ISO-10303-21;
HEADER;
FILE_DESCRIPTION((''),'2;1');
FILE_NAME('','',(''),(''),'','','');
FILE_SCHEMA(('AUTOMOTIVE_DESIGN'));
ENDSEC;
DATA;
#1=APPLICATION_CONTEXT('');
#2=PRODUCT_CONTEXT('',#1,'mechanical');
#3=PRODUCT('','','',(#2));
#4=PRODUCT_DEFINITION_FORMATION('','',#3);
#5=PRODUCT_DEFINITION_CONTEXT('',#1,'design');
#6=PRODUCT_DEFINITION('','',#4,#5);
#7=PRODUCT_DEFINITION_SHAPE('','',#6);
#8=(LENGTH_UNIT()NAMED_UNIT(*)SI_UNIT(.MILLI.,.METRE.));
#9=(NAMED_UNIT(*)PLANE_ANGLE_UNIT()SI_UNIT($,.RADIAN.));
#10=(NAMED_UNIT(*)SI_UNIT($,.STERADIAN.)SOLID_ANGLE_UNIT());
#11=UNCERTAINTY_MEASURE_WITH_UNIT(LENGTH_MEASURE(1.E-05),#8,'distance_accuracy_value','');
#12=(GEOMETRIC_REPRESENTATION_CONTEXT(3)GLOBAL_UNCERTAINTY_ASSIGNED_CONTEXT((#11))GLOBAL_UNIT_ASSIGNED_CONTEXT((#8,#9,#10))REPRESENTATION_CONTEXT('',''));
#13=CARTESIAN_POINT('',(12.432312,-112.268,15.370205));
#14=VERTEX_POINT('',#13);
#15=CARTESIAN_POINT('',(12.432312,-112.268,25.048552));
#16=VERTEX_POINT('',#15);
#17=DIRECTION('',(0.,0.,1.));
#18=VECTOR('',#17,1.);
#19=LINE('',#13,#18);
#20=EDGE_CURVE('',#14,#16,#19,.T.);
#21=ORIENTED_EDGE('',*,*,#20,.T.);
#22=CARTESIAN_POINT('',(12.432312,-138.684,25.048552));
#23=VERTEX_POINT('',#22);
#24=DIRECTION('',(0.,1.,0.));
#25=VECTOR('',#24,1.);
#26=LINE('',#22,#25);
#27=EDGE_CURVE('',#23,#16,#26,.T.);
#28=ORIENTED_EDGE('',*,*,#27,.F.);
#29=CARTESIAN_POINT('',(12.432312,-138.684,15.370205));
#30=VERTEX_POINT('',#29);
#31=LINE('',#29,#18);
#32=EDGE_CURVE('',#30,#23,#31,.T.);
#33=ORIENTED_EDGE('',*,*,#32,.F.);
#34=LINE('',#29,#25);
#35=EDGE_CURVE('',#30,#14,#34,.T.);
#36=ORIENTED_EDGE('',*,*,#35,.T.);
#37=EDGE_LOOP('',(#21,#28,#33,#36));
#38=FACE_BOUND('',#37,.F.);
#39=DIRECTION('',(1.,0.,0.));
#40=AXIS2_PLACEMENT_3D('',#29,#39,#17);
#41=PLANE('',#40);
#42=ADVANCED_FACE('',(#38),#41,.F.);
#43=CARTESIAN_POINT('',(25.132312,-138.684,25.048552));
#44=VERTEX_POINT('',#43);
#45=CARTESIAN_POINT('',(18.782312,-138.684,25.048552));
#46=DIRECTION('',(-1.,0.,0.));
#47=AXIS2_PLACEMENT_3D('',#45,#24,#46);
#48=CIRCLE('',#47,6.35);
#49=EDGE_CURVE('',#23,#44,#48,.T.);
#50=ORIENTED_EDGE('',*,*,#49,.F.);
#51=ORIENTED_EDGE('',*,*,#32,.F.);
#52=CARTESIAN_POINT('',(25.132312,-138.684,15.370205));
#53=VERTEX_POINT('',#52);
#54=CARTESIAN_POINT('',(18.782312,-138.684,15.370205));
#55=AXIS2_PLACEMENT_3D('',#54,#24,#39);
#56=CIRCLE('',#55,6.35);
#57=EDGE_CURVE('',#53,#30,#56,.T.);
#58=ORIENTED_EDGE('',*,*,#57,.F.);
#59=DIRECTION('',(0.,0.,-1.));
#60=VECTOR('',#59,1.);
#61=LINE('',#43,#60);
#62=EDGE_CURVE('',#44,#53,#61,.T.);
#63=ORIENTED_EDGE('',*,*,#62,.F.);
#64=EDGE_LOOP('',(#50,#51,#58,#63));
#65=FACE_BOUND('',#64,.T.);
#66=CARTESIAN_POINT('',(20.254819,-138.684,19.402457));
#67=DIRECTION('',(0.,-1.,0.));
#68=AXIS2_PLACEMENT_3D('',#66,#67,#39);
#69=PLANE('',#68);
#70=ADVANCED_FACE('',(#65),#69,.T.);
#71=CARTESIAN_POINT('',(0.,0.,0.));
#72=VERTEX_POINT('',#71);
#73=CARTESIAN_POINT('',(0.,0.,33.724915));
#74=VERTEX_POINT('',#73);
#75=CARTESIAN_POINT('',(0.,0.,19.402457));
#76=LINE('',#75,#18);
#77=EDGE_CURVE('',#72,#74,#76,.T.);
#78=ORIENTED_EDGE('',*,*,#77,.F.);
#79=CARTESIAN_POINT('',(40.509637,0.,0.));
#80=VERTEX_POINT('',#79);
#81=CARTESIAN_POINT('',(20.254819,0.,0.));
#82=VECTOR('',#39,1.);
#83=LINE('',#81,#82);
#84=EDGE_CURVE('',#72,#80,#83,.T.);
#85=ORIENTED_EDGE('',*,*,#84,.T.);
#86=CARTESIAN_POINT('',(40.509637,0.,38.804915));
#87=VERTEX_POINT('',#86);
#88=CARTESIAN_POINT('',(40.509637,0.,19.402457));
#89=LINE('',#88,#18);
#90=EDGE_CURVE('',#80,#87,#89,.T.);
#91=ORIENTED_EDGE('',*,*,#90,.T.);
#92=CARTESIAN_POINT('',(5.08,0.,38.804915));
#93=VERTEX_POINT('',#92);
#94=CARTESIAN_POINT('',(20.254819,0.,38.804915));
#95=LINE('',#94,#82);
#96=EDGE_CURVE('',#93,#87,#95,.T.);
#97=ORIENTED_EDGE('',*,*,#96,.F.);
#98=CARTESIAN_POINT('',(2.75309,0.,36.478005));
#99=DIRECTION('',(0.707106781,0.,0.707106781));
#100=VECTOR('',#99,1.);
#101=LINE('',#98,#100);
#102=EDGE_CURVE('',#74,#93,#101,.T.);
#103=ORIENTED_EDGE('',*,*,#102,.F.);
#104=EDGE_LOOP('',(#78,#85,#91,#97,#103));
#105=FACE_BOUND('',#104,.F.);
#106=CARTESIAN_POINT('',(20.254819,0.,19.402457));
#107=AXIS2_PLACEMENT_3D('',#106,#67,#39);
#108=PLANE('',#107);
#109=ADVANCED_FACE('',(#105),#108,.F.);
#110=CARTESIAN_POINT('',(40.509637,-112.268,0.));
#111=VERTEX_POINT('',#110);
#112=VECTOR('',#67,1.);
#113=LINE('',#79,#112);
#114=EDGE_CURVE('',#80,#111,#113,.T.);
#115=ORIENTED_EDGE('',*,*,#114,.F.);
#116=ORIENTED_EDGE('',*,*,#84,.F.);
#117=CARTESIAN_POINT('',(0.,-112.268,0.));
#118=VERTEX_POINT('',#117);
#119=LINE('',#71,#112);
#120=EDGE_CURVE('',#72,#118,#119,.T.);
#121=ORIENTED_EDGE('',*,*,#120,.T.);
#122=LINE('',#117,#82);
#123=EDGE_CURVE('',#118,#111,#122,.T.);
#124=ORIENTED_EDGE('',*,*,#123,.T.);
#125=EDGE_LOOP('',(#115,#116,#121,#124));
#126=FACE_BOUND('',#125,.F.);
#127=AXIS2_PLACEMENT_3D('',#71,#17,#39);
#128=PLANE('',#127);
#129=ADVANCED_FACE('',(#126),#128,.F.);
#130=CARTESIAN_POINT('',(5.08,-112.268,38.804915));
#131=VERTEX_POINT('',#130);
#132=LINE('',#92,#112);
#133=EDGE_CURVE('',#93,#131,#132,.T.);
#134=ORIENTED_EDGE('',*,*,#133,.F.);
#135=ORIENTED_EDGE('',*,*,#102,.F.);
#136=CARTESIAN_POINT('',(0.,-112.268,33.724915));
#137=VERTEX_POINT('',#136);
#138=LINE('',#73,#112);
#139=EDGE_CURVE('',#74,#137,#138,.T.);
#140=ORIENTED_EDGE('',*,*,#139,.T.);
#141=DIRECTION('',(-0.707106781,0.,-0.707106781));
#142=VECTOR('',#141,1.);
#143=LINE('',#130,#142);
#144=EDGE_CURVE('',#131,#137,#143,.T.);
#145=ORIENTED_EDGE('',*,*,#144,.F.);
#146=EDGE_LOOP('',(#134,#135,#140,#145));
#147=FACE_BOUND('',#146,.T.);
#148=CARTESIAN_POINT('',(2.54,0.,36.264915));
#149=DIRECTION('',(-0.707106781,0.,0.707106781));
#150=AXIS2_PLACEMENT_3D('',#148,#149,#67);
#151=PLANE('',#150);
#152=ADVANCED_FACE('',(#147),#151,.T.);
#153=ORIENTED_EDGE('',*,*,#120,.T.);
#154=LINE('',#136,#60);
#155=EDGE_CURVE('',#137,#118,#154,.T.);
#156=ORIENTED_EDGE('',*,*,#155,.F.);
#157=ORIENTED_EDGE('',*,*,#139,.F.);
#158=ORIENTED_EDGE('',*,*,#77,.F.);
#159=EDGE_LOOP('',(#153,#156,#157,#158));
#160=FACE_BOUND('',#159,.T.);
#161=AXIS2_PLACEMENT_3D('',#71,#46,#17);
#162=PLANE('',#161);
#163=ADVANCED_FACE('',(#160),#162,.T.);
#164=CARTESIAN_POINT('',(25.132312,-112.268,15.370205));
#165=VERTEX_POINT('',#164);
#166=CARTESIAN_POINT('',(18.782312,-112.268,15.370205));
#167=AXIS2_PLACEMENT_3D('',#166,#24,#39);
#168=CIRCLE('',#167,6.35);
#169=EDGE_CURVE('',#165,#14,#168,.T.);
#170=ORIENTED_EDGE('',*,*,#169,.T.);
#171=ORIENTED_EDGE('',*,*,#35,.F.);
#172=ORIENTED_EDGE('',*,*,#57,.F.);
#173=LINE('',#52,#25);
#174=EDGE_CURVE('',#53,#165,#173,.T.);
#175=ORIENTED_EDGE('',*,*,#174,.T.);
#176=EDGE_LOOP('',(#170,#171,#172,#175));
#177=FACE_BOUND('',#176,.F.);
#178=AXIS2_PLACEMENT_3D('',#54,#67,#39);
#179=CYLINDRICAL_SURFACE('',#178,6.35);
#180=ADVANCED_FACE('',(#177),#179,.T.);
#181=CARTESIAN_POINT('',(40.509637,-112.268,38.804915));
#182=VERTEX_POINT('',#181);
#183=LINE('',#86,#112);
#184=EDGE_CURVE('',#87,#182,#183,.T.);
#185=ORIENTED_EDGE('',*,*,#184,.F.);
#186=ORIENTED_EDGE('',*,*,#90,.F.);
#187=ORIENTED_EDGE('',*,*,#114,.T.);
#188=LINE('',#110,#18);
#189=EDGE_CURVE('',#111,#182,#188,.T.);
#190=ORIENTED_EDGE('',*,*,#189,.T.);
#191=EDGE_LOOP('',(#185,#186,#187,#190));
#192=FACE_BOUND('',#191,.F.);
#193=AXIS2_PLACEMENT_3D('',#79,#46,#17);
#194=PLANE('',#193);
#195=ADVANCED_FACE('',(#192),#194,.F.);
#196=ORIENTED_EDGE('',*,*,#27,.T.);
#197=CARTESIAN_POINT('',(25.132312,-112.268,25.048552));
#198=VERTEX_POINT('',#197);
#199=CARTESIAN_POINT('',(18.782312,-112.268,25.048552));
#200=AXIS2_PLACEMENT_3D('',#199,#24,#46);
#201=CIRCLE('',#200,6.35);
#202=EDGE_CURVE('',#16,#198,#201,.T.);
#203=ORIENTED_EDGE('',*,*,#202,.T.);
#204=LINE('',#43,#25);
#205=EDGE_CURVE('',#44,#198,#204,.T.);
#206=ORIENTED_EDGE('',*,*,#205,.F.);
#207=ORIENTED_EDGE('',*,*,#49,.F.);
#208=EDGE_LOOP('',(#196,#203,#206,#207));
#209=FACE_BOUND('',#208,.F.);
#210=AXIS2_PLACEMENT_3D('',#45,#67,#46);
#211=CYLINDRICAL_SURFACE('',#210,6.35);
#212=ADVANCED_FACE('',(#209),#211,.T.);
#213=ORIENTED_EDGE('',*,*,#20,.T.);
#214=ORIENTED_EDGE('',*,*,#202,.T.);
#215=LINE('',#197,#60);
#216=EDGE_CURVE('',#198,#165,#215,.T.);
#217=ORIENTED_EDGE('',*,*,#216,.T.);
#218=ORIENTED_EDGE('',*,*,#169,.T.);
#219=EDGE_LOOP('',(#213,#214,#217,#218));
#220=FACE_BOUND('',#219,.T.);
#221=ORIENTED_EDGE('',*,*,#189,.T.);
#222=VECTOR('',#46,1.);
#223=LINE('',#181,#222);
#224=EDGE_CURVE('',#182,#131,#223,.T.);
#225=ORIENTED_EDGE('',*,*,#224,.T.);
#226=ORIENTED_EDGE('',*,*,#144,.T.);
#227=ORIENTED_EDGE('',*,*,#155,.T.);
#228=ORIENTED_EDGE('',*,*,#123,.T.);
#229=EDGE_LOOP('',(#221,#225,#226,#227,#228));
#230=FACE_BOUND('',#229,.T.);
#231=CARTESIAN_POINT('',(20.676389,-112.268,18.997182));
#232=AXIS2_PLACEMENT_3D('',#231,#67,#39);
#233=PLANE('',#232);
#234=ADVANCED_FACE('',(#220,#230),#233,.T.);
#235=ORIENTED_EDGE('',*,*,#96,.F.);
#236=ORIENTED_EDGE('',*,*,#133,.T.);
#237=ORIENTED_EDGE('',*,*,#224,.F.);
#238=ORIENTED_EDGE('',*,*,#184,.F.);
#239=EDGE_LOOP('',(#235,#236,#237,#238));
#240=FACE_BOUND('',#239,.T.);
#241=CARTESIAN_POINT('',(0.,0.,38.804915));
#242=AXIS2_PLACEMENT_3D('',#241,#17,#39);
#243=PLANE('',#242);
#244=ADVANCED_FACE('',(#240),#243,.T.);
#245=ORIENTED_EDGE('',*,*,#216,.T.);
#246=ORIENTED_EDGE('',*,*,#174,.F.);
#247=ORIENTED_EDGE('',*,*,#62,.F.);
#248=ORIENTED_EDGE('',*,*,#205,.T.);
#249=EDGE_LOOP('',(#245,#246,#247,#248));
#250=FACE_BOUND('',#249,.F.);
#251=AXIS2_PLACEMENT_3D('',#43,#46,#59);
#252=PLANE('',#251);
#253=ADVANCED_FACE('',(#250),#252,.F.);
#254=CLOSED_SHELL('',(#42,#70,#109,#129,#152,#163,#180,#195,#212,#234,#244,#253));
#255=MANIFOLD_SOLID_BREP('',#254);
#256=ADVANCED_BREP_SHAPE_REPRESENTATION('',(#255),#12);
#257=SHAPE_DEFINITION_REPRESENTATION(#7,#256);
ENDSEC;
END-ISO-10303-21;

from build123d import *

# Parameters (mm, degrees)
F0_W     = 40.5096374452
F0_H     = 38.8049148023
F1_DEPTH = 138.684
F2_SIZE  = 5.08
F5_DEPTH = 26.416


with BuildPart() as f1:
    # F0 (on Front) → F1 (new body)
    with BuildSketch(Plane.XZ):
        with Locations((20.2548187226, 19.4024574012)):
            Rectangle(F0_W, F0_H)
    extrude(amount=F1_DEPTH)

    # F2
    f2_edges = [f1.edges().sort_by_distance(p)[0] for p in [
        (0, -69.342, 38.804915),
    ]]
    chamfer(f2_edges, length=F2_SIZE)

    # F4 (on face) → F5 (cut)
    with BuildSketch(Plane.XZ.offset(138.684)):
        Polygon((40.5096374452, 38.8049148023), (5.08, 38.8049148023), (0, 33.7249148023), (0, 0), (40.5096374452, 0), align=None)
        with BuildLine():
            Line((12.4323120505, 15.3702050447), (12.4323120505, 25.048552081))
            ThreePointArc((12.4323120505, 25.048552081), (18.7823120505, 31.398552081), (25.1323120505, 25.048552081))
            Line((25.1323120505, 25.048552081), (25.1323120505, 15.3702050447))
            ThreePointArc((25.1323120505, 15.3702050447), (18.7823120505, 9.0202050447), (12.4323120505, 15.3702050447))
        make_face(mode=Mode.SUBTRACT)
    extrude(amount=-F5_DEPTH, mode=Mode.SUBTRACT)


solid = f1.part
